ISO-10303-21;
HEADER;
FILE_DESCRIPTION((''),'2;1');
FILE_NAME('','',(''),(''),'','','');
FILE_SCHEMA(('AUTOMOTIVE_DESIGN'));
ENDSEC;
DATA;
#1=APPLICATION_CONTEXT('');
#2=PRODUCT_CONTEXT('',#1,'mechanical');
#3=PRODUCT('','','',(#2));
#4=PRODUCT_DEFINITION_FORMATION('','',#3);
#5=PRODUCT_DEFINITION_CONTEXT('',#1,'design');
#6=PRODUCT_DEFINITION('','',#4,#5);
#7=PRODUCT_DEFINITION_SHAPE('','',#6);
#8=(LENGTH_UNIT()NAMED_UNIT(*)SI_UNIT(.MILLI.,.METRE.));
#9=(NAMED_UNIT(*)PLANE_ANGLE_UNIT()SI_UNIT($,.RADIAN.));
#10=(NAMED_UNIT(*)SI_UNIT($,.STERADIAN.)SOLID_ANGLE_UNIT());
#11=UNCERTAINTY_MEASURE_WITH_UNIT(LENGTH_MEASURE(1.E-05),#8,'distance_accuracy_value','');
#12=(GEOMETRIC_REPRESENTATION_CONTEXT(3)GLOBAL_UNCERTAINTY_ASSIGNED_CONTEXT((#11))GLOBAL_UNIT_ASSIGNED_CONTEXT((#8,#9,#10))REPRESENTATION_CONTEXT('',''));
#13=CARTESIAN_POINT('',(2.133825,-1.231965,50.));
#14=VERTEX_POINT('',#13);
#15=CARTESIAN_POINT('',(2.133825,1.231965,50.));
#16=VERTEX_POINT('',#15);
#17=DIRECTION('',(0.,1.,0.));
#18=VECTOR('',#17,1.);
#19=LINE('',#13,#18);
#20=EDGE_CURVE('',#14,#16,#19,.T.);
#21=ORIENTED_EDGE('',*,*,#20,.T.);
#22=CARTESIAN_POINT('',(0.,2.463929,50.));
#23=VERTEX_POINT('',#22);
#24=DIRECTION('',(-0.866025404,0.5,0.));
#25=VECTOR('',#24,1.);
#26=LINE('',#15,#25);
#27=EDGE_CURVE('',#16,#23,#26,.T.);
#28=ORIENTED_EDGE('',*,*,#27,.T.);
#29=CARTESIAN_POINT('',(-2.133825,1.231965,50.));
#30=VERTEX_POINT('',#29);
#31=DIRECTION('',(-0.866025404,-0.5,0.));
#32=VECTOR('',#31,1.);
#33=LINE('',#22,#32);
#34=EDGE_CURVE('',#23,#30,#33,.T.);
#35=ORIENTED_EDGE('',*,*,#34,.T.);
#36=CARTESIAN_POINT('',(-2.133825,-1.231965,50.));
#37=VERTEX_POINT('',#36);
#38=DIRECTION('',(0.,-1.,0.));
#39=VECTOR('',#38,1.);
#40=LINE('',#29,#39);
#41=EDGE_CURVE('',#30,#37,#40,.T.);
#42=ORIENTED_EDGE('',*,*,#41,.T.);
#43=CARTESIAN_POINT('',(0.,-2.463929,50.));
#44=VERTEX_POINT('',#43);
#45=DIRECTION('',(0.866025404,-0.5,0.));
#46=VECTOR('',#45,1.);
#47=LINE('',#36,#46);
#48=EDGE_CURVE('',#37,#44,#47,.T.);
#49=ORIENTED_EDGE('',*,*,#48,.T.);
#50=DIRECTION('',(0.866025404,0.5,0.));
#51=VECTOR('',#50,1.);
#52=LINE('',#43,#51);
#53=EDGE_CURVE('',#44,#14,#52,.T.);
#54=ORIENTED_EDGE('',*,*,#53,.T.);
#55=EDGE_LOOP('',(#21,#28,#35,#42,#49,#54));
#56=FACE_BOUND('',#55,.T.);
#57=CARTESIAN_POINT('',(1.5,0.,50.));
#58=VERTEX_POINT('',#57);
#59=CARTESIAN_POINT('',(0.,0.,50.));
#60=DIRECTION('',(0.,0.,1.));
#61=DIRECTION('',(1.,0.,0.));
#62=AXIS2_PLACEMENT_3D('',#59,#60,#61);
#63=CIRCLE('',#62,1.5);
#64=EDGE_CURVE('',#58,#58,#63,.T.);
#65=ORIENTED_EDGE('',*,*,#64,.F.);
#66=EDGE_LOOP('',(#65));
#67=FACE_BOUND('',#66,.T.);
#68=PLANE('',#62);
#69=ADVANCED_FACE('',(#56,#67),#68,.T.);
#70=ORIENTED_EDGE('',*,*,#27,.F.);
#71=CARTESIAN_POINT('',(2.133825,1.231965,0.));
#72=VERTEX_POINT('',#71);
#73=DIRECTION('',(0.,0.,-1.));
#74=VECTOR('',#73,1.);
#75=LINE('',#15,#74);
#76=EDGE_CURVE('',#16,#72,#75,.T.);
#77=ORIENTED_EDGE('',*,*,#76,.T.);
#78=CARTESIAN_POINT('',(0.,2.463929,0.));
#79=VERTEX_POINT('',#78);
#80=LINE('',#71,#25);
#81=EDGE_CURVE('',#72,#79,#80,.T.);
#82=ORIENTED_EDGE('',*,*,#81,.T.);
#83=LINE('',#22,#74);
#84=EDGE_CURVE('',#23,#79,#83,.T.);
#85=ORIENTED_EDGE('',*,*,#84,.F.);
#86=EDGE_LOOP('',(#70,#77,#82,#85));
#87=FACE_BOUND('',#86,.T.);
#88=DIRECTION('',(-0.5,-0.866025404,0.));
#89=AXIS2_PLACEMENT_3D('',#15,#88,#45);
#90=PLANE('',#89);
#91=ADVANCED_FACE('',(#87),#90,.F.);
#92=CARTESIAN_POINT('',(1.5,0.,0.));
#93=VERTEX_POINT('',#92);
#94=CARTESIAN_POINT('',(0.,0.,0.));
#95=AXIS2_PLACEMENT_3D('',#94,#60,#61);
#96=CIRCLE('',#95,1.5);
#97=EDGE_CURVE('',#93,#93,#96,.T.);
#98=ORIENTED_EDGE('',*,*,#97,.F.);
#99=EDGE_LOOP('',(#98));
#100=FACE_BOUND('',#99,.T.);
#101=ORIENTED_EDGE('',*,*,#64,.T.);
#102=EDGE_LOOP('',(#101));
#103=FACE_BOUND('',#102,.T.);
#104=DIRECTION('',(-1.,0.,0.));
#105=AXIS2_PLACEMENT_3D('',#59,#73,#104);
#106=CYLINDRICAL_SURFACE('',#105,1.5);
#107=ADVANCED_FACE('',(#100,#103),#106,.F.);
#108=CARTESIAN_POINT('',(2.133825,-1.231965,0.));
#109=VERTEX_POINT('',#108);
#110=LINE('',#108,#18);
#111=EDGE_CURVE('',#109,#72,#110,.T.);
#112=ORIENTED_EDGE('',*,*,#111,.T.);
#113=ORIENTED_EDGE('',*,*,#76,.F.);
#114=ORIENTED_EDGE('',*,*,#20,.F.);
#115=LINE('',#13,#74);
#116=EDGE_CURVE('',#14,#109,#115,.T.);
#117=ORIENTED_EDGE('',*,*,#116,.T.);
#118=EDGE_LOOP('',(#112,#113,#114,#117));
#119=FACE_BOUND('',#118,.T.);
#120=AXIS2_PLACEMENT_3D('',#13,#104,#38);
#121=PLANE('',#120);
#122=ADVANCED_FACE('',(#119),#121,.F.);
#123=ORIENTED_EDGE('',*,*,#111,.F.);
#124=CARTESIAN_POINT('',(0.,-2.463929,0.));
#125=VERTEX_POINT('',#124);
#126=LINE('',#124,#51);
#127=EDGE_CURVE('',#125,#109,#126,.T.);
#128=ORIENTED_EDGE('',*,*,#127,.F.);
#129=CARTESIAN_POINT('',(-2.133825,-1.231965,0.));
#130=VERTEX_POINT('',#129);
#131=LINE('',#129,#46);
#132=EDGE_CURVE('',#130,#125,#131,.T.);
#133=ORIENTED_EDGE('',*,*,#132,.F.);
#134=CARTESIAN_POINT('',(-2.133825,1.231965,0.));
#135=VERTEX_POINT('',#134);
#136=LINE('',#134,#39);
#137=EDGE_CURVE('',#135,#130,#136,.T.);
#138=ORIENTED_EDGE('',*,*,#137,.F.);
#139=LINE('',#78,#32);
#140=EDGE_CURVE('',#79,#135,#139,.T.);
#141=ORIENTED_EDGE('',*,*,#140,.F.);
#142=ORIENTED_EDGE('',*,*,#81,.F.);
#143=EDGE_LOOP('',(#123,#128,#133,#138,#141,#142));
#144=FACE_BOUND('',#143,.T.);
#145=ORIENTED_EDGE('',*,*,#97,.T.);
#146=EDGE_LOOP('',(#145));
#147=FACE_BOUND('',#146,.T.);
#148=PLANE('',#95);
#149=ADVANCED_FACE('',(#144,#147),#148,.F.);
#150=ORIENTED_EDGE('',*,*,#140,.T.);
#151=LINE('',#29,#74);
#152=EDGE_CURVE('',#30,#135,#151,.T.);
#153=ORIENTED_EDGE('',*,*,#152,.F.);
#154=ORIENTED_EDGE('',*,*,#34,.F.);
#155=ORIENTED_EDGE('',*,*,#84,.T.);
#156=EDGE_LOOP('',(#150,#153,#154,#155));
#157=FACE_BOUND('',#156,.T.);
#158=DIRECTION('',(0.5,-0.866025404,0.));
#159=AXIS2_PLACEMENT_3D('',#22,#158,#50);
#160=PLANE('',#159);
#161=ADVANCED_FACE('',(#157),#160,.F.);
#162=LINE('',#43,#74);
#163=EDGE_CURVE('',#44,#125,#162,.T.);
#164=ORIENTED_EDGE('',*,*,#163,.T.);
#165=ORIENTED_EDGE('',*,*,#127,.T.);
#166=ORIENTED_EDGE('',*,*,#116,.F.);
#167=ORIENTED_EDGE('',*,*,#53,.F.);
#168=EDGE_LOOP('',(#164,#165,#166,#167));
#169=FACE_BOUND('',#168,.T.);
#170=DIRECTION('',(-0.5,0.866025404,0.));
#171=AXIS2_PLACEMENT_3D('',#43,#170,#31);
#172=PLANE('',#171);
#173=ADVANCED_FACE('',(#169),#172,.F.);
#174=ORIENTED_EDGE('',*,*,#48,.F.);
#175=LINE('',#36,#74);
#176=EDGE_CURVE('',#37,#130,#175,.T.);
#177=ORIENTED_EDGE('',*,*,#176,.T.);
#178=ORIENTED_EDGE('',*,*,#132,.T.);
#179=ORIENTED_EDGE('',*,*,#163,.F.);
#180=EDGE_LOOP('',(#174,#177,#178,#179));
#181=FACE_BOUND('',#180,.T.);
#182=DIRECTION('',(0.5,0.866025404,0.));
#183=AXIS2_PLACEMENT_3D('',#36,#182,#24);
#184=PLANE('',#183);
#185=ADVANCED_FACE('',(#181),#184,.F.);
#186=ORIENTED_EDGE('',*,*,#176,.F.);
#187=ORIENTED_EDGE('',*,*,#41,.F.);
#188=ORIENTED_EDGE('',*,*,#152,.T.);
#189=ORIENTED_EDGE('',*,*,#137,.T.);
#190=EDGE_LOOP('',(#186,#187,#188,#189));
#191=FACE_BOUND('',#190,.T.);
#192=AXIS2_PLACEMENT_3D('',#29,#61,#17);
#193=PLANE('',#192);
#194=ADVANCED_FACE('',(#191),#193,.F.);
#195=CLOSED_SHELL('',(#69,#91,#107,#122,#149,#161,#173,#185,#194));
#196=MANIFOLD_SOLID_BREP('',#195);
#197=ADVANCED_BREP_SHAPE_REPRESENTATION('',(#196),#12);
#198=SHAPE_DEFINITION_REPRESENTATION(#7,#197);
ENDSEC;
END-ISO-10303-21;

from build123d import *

# Parameters (mm, degrees)
SKETCH_1_R      = 1.5
EXTRUDE_1_DEPTH = 50


with BuildPart() as part:
    # 草图1 → 凸台-拉伸1 (new body)
    with BuildSketch(Plane.XY):
        Polygon((0, 2.463929225), (-2.133825302, 1.231964612), (-2.133825302, -1.231964612), (0, -2.463929225), (2.133825302, -1.231964612), (2.133825302, 1.231964612), align=None)
        Circle(SKETCH_1_R, mode=Mode.SUBTRACT)
    extrude(amount=EXTRUDE_1_DEPTH)


solid = part.part
